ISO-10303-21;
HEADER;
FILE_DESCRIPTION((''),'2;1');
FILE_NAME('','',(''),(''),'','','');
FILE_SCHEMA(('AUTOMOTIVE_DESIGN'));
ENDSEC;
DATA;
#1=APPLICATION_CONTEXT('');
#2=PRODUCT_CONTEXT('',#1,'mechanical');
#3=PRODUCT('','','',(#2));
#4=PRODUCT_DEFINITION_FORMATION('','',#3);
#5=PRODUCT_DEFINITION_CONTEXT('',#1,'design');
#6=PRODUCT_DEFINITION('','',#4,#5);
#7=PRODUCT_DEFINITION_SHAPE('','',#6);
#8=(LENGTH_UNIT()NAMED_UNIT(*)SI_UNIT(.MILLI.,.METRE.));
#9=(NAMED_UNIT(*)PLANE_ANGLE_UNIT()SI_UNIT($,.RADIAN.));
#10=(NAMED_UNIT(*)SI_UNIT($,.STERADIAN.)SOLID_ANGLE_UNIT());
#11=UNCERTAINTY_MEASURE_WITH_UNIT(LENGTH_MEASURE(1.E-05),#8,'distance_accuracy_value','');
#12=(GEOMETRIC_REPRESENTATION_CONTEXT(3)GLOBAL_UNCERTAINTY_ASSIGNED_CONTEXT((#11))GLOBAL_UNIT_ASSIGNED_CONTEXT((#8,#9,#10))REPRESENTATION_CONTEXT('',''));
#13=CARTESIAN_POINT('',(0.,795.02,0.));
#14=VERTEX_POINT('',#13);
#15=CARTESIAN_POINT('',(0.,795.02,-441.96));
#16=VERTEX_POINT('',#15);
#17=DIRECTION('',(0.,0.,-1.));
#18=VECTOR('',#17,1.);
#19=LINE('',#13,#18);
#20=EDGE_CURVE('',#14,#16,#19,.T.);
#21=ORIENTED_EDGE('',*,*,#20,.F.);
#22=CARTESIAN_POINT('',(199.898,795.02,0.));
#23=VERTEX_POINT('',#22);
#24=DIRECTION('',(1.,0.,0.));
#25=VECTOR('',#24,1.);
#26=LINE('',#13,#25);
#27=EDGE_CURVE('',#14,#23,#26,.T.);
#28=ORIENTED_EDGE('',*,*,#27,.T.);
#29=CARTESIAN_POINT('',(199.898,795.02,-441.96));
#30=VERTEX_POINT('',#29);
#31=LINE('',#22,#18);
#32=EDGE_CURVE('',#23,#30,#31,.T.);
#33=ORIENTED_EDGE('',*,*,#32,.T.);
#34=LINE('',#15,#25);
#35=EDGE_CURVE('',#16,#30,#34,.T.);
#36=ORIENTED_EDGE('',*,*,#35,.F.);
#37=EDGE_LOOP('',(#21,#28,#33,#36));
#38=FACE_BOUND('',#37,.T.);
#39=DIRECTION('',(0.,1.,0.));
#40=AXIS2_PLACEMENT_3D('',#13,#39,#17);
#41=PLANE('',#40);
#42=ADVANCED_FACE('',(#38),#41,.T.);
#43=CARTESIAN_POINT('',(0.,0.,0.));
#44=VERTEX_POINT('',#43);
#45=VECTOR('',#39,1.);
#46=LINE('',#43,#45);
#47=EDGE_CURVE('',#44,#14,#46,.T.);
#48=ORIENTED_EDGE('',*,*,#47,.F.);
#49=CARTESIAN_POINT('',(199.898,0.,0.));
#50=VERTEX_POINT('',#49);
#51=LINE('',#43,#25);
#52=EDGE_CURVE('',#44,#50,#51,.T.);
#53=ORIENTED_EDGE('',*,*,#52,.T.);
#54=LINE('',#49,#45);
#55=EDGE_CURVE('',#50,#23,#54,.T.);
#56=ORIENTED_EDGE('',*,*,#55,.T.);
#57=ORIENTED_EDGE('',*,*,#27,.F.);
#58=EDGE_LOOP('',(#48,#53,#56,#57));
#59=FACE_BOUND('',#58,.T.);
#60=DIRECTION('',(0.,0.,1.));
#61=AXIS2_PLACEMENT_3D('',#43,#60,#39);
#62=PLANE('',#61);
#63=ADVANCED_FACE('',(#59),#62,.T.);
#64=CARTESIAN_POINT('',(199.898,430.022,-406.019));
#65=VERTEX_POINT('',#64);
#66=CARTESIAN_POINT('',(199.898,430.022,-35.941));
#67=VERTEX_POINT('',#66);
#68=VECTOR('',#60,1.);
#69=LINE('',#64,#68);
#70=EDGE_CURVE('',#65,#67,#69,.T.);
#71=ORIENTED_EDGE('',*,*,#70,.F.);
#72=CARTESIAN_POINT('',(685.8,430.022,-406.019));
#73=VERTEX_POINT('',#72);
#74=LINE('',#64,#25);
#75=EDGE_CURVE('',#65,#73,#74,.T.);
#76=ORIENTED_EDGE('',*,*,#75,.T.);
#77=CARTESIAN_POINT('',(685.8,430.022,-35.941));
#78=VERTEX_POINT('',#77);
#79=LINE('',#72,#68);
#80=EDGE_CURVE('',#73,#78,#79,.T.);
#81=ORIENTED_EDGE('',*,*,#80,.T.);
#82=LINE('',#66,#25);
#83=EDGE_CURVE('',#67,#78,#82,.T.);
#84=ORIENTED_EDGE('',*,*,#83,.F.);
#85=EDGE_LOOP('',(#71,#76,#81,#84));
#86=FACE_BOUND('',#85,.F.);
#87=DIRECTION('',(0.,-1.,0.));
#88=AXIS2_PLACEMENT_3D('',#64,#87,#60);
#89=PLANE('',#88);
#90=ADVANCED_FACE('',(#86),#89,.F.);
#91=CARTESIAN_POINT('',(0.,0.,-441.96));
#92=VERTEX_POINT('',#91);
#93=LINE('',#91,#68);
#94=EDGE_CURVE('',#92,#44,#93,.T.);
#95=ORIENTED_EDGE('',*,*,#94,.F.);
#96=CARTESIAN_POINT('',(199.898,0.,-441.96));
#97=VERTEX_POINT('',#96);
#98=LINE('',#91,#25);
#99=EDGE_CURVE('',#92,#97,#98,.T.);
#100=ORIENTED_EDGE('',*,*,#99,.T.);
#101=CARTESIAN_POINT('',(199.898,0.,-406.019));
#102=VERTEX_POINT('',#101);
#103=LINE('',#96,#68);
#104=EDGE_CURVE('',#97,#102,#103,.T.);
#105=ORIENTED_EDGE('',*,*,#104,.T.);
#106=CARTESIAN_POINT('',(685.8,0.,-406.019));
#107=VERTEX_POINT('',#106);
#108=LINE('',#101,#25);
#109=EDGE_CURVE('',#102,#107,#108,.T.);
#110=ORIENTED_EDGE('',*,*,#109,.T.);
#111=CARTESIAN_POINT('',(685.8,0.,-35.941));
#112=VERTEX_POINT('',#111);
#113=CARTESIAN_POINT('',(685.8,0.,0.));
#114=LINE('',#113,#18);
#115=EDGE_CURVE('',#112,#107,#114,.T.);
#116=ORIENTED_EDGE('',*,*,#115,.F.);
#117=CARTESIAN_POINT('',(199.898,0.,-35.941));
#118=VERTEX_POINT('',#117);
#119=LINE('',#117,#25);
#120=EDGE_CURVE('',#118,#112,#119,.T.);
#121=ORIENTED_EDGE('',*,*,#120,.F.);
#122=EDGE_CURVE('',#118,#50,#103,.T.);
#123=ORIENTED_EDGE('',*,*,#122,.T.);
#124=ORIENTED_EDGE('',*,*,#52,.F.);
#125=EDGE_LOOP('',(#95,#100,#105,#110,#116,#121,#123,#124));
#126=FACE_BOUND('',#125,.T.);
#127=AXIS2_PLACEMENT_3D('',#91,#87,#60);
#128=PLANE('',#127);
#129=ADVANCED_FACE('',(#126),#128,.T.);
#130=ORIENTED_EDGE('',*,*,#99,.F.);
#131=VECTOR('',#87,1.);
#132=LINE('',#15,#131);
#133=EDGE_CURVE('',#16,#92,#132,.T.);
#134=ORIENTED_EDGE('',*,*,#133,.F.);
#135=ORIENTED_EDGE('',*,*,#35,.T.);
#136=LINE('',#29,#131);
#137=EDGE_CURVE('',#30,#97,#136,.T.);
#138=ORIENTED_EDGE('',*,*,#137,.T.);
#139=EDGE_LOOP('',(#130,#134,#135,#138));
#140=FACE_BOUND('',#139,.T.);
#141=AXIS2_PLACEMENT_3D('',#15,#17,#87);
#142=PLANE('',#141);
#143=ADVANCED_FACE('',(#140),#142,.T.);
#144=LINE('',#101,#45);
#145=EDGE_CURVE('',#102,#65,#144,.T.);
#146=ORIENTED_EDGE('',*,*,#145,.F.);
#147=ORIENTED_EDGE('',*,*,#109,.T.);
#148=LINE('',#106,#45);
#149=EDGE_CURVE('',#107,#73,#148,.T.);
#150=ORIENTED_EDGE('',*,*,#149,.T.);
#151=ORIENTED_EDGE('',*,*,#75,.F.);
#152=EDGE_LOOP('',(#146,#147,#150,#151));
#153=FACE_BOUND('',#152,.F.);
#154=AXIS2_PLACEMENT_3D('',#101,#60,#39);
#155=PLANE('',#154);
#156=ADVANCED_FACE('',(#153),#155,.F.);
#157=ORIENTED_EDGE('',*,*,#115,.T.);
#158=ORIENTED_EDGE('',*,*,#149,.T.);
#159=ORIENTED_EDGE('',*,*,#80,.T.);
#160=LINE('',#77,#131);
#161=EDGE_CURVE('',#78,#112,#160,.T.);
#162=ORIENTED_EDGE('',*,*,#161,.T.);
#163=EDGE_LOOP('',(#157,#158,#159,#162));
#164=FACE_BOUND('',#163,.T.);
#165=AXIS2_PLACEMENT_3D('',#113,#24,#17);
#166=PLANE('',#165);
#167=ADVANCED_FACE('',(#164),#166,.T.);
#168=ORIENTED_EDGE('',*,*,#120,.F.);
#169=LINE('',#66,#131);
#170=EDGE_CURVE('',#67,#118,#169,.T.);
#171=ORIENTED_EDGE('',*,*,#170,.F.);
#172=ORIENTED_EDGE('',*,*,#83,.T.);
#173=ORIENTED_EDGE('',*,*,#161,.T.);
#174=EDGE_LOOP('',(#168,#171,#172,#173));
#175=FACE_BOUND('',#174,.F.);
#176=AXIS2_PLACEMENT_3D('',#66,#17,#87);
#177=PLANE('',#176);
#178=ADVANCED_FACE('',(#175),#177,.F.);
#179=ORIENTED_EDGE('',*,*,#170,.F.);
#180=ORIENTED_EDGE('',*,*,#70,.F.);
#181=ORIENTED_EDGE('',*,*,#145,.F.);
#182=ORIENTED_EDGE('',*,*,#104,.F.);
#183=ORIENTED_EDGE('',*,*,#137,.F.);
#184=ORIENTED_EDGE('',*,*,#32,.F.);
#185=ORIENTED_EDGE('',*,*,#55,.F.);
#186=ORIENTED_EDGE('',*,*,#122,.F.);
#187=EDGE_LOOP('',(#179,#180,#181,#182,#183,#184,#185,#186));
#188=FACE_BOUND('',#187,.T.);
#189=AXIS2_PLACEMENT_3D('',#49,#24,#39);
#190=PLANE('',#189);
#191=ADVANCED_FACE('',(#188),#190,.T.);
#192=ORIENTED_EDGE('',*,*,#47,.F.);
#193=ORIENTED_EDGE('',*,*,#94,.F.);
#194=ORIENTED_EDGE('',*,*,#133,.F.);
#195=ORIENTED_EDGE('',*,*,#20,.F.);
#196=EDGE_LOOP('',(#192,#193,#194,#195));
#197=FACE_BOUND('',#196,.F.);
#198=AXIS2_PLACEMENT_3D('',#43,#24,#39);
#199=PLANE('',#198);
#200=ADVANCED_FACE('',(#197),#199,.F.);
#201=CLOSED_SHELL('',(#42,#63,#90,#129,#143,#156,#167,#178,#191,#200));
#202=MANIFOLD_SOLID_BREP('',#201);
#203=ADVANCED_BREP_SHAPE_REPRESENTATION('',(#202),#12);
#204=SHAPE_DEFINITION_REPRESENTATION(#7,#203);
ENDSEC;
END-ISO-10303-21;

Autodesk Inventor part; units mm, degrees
ref_plane "YZ Plane" through (0, 0, 0) normal (1, 0, 0) x (0, 1, 0)
ref_plane "XZ Plane" through (0, 0, 0) normal (0, 1, 0) x (-1, 0, 0)
ref_plane "XY Plane" through (0, 0, 0) normal (0, 0, 1) x (1, 0, 0)
sketch "Sketch1" plane through (0, 0, 0) normal (1, 0, 0) x (0, 1, 0)
  line L0 (0, 0) -> (795.02, 0)
  line L1 (795.02, 0) -> (795.02, -441.96)
  line L2 (795.02, -441.96) -> (0, -441.96)
  line L3 (0, -441.96) -> (0, 0)
  dimension "d1" = 441.96
  dimension "d2" = 795.02
extrude "Extrusion1" add sketch "Sketch1" along normal blind 199.898
sketch "Sketch2" plane through (199.898, 0, 0) normal (1, 0, 0) x (0, 0, -1)
  line L0 (0, 0) -> (441.96, 0) projected
  line L1 (35.941, 0) -> (406.019, 0)
  line L2 (406.019, 0) -> (406.019, 430.022)
  line L3 (406.019, 430.022) -> (35.941, 430.022)
  line L4 (35.941, 430.022) -> (35.941, 0)
  line L5 (0, 795.02) -> (0, 0) projected
  dimension "d5" = 370.078
  dimension "d6" = 430.022
  dimension "d7" = 35.941
extrude "Extrusion2" add sketch "Sketch2" along normal blind 485.902
properties part number "Toilet" material "Steel"
